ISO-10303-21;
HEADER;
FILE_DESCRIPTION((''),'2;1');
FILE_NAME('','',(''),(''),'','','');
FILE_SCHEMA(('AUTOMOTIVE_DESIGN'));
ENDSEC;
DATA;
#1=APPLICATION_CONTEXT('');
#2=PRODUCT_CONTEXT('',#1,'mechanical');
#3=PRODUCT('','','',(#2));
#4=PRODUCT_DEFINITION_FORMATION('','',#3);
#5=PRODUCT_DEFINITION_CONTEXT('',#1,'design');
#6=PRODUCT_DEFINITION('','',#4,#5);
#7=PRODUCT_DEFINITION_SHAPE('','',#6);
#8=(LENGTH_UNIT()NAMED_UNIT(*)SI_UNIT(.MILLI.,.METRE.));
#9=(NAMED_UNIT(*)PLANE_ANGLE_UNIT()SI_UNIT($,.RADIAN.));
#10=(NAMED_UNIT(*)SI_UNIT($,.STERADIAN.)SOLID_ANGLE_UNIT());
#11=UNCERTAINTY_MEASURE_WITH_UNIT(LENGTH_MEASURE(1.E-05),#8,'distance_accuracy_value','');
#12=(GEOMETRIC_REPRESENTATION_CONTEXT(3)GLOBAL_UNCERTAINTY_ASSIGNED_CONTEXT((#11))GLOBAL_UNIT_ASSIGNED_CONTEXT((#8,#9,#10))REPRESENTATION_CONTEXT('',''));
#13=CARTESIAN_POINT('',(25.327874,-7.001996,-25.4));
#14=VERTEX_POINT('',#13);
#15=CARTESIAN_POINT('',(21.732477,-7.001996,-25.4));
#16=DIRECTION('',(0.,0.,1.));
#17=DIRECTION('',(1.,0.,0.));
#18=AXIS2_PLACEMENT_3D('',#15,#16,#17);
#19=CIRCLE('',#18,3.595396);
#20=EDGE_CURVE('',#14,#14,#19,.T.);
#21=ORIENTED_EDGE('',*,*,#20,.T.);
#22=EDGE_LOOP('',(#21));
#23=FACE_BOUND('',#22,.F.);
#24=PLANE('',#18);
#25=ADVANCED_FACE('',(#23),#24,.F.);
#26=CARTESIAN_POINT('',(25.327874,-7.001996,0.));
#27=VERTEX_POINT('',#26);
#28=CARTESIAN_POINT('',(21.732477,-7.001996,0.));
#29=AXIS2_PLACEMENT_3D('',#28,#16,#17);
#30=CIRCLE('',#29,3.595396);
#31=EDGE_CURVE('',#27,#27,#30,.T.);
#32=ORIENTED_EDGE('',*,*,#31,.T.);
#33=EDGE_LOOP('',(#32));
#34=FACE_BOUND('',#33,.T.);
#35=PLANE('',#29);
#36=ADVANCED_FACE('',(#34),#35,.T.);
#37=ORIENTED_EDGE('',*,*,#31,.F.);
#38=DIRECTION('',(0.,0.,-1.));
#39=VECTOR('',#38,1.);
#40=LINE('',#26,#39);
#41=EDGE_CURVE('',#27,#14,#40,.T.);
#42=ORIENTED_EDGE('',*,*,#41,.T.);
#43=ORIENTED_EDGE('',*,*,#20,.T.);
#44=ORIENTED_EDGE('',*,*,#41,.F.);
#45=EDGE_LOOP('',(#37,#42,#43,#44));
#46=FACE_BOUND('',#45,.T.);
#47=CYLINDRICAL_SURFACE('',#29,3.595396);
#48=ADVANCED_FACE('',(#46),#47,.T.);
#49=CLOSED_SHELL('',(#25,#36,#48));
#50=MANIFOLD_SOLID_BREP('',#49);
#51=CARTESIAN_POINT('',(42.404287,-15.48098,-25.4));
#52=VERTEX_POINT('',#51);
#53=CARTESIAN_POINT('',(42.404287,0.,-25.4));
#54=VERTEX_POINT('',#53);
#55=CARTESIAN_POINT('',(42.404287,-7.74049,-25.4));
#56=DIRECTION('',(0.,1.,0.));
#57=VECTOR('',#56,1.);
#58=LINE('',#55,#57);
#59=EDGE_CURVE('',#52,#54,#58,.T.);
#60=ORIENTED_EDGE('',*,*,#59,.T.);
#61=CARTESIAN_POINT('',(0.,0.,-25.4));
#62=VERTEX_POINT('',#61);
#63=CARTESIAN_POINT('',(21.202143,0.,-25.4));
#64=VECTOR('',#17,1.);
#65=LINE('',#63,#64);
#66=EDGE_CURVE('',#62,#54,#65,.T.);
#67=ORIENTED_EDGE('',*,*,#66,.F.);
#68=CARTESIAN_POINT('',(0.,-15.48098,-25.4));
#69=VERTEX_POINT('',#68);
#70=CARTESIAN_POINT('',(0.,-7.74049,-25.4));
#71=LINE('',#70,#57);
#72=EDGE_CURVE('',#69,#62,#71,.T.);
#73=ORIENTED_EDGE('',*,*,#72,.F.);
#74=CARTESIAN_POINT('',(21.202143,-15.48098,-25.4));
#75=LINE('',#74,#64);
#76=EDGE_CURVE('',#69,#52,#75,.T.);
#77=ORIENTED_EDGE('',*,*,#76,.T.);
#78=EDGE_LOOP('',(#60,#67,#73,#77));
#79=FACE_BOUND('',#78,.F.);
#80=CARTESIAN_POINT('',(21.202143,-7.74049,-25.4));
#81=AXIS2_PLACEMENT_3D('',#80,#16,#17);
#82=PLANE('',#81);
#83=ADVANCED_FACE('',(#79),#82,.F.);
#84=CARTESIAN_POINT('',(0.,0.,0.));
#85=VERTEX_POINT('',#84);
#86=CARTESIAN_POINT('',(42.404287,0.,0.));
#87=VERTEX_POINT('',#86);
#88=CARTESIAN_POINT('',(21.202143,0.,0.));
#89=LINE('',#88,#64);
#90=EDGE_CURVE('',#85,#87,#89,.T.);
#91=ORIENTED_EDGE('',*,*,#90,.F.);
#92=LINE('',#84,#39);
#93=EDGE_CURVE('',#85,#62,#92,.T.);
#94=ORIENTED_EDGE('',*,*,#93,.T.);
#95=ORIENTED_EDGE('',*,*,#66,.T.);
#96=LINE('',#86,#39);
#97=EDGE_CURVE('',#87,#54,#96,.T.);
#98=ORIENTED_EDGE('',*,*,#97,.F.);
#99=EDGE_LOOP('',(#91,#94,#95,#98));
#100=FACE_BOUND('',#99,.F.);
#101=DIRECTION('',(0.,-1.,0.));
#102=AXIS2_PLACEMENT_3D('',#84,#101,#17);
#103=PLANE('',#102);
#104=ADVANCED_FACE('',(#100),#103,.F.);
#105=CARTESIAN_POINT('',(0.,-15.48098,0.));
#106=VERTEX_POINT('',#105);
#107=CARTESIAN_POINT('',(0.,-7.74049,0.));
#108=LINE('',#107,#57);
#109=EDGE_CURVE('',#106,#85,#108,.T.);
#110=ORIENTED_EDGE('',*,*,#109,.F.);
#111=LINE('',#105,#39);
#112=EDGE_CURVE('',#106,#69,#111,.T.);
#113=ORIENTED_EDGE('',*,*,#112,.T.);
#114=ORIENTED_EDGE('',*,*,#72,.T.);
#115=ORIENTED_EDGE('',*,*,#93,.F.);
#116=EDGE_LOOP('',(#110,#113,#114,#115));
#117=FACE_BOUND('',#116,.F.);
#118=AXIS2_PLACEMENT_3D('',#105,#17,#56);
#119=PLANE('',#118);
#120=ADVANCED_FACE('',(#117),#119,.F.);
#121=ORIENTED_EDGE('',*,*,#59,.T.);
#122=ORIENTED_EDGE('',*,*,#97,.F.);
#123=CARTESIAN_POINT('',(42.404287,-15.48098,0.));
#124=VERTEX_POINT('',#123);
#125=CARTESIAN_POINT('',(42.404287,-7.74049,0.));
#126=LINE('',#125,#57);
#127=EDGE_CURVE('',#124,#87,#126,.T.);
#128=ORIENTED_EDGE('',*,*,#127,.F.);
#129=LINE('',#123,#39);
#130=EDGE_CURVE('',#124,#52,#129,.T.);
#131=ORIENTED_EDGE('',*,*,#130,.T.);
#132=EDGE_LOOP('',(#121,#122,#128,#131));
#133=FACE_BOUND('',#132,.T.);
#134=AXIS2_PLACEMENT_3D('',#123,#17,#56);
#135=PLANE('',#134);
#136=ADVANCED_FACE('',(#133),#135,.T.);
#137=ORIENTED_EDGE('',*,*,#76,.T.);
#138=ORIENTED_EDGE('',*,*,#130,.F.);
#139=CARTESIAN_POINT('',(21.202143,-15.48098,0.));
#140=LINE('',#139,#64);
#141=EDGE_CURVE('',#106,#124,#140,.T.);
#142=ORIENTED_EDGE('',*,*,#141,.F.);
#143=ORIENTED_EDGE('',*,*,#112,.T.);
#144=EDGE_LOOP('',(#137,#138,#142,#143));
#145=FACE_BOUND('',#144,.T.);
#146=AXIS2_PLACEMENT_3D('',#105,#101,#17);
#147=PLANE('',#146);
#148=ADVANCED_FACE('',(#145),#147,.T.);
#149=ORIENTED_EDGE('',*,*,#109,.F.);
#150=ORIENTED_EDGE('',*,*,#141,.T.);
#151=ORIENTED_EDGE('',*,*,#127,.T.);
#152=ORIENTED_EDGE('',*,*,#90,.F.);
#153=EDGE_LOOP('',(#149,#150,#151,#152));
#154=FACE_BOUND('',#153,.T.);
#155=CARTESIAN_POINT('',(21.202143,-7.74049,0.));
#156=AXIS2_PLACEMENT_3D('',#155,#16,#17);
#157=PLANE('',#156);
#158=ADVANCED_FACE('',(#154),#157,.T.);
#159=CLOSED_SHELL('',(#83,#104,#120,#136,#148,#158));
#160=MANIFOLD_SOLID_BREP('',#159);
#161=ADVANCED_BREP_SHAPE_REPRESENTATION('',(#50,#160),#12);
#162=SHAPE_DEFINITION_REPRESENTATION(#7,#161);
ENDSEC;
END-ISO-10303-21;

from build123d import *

# Parameters (mm, degrees)
F0_W           = 68.3668106794
F0_H           = 33.9986383915
F2_DEPTH       = 25.4
F3_D           = 6.35
F3_CBORE_D     = 7.62
F3_CBORE_DEPTH = 9.525
F5_D           = 19.05
F5_CBORE_D     = 25.4
F5_CBORE_DEPTH = 6.35
F8_R           = 3.595396078
F9_DEPTH       = 25.4
F7_W           = 42.4042865634
F7_H           = 15.4809802771


with BuildPart() as f2:
    # F0 (on Top) → F2 (new body)
    with BuildSketch(Plane.XY):
        with Locations((34.1834053397, -16.9993191957)):
            Rectangle(F0_W, F0_H)
    extrude(amount=-F2_DEPTH)

    # F3 (through all)
    with Locations(Plane.XY):
        with Locations((33.0153182149, -14.4990934059)):
            CounterBoreHole(F3_D / 2, F3_CBORE_D / 2, F3_CBORE_DEPTH)

    # F5 (through all)
    with Locations(Plane.XY):
        with Locations((33.0153182149, -14.4990934059)):
            CounterBoreHole(F5_D / 2, F5_CBORE_D / 2, F5_CBORE_DEPTH)


with BuildPart() as f9:
    # F8 (on face) → F9 (new body)
    with BuildSketch(Plane.XY):
        with Locations((21.7324774712, -7.0019960403)):
            Circle(F8_R)
    extrude(amount=-F9_DEPTH)


with BuildPart() as f9b:
    # F7 (on Top) → F9, piece 2 (new body)
    with BuildSketch(Plane.XY):
        with Locations((21.2021432817, -7.7404901385)):
            Rectangle(F7_W, F7_H)
    extrude(amount=-F9_DEPTH)


solid = Compound([f9.part, f9b.part])
